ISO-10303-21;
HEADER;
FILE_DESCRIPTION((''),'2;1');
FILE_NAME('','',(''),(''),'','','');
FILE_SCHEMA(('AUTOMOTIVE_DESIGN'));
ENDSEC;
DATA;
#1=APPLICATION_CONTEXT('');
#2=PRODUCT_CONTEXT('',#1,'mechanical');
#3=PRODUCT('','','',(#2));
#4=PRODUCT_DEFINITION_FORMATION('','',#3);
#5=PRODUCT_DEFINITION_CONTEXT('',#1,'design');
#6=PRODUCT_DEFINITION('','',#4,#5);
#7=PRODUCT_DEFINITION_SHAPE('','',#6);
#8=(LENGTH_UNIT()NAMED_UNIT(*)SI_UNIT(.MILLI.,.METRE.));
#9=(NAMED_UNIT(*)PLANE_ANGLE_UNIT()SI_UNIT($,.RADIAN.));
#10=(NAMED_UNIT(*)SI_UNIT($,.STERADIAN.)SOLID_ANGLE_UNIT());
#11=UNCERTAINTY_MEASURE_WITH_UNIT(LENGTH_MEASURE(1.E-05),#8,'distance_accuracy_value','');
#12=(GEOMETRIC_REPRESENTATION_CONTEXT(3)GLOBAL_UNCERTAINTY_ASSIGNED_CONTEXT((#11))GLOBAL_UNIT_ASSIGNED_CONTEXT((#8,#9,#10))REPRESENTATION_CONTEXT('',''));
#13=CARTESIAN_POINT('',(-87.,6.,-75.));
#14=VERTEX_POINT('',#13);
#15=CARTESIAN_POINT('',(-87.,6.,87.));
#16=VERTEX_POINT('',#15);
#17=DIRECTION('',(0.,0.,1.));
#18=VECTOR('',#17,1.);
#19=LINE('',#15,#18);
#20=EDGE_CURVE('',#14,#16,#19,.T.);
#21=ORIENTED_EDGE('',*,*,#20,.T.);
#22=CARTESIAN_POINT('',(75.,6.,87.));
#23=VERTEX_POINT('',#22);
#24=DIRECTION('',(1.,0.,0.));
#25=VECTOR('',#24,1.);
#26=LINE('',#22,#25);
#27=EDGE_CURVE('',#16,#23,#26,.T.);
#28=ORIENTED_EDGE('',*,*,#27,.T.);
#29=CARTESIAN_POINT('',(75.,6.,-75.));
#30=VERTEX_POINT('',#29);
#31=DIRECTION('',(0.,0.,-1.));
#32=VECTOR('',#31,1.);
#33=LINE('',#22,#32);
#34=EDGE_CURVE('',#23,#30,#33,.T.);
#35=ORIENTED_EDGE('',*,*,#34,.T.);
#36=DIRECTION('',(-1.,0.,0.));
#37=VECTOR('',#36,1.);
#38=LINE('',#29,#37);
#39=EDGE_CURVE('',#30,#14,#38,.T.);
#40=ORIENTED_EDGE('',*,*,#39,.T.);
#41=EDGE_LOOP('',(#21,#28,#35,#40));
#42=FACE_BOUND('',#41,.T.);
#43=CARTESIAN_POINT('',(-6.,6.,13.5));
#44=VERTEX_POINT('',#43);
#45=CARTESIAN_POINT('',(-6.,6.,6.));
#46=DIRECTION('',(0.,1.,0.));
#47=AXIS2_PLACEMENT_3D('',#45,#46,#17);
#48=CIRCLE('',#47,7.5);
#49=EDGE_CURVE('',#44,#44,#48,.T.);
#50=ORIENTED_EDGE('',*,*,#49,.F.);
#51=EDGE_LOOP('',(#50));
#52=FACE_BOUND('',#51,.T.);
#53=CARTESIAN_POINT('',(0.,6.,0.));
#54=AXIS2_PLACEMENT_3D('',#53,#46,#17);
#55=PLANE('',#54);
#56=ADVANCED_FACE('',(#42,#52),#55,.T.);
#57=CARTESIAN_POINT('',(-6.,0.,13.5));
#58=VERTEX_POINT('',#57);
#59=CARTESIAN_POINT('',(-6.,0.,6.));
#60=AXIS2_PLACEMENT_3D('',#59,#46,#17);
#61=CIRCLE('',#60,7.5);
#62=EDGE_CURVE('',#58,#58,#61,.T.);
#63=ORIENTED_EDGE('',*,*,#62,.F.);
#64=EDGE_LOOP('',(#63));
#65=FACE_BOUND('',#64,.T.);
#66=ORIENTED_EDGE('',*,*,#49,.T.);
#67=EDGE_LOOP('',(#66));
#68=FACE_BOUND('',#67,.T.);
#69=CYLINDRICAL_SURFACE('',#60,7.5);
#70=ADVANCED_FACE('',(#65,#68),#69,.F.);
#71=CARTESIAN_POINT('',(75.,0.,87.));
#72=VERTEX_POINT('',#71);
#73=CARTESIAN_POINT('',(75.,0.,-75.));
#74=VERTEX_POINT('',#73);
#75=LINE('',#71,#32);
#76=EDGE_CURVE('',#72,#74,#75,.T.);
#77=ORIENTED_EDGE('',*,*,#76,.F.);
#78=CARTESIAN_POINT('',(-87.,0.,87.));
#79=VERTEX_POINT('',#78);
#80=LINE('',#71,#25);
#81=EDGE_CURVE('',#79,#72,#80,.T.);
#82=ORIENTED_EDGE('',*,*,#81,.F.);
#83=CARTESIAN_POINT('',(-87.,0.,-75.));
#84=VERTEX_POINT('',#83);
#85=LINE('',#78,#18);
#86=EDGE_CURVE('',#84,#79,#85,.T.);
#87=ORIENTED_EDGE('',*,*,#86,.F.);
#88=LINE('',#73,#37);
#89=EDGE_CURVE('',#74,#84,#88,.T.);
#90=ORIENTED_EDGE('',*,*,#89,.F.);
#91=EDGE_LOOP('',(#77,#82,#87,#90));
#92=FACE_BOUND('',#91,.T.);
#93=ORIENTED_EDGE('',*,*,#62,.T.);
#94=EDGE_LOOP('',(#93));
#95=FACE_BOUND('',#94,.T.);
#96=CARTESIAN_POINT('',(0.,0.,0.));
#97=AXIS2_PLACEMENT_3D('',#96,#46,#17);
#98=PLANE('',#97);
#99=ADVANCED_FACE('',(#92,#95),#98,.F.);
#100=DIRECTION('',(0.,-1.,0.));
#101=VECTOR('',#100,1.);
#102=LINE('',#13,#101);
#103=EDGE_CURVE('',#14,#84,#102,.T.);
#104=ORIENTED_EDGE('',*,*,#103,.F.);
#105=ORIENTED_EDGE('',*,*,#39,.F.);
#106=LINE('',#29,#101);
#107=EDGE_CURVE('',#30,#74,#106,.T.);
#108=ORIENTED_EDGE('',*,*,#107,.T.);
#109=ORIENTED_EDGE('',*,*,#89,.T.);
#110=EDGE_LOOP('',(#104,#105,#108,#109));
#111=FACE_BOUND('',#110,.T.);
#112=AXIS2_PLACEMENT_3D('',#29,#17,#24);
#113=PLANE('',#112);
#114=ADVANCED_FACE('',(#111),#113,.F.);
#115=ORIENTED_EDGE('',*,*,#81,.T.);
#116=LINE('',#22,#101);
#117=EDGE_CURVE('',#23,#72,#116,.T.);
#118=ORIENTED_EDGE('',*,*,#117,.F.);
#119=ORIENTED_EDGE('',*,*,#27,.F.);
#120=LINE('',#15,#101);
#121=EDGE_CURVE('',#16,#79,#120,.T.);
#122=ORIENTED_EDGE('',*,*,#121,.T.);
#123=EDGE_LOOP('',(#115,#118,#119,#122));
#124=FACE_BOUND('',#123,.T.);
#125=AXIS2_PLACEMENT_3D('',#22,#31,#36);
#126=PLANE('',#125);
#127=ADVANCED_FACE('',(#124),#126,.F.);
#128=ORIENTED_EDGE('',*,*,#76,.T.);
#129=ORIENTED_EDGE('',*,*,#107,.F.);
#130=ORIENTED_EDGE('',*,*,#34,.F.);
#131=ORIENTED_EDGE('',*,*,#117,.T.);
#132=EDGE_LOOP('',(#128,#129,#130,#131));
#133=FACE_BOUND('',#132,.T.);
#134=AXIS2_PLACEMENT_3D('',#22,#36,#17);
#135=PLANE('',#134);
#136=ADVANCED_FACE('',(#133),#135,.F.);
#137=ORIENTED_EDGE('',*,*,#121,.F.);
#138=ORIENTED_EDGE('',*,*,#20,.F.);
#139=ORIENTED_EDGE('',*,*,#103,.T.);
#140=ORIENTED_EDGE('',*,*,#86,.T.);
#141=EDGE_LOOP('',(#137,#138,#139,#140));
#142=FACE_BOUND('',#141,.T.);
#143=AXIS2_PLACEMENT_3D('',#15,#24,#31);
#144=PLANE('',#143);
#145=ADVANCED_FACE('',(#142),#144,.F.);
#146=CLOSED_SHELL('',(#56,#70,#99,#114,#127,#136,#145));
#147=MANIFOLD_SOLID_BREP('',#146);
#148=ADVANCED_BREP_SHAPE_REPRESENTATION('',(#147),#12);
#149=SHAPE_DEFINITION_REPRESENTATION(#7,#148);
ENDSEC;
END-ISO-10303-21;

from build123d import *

# Parameters (mm, degrees)
ESBO_O2_W                = 162
ESBO_O2_H                = 162
RESSALTO_EXTRUS_O2_DEPTH = 6
ESBO_O3_R                = 7.5
CORTE_EXTRUS_O1_DEPTH    = 124.182791006


with BuildPart() as part:
    # Esboço2 → Ressalto-extrusão2 (new body)
    with BuildSketch(Plane(origin=(0, 0, 0), x_dir=(1, 0, 0), z_dir=(0, 1, 0))):
        with Locations((-6, -6)):
            Rectangle(ESBO_O2_W, ESBO_O2_H)
    extrude(amount=RESSALTO_EXTRUS_O2_DEPTH)

    # Esboço3 → Corte-extrusão1 (cut, through all)
    with BuildSketch(Plane(origin=(0, 6, 0), x_dir=(1, 0, 0), z_dir=(0, 1, 0))):
        with Locations(Location((-6, -6, 0), (0, 0, 270))):
            Circle(ESBO_O3_R)
    extrude(amount=-CORTE_EXTRUS_O1_DEPTH, mode=Mode.SUBTRACT)


solid = part.part
